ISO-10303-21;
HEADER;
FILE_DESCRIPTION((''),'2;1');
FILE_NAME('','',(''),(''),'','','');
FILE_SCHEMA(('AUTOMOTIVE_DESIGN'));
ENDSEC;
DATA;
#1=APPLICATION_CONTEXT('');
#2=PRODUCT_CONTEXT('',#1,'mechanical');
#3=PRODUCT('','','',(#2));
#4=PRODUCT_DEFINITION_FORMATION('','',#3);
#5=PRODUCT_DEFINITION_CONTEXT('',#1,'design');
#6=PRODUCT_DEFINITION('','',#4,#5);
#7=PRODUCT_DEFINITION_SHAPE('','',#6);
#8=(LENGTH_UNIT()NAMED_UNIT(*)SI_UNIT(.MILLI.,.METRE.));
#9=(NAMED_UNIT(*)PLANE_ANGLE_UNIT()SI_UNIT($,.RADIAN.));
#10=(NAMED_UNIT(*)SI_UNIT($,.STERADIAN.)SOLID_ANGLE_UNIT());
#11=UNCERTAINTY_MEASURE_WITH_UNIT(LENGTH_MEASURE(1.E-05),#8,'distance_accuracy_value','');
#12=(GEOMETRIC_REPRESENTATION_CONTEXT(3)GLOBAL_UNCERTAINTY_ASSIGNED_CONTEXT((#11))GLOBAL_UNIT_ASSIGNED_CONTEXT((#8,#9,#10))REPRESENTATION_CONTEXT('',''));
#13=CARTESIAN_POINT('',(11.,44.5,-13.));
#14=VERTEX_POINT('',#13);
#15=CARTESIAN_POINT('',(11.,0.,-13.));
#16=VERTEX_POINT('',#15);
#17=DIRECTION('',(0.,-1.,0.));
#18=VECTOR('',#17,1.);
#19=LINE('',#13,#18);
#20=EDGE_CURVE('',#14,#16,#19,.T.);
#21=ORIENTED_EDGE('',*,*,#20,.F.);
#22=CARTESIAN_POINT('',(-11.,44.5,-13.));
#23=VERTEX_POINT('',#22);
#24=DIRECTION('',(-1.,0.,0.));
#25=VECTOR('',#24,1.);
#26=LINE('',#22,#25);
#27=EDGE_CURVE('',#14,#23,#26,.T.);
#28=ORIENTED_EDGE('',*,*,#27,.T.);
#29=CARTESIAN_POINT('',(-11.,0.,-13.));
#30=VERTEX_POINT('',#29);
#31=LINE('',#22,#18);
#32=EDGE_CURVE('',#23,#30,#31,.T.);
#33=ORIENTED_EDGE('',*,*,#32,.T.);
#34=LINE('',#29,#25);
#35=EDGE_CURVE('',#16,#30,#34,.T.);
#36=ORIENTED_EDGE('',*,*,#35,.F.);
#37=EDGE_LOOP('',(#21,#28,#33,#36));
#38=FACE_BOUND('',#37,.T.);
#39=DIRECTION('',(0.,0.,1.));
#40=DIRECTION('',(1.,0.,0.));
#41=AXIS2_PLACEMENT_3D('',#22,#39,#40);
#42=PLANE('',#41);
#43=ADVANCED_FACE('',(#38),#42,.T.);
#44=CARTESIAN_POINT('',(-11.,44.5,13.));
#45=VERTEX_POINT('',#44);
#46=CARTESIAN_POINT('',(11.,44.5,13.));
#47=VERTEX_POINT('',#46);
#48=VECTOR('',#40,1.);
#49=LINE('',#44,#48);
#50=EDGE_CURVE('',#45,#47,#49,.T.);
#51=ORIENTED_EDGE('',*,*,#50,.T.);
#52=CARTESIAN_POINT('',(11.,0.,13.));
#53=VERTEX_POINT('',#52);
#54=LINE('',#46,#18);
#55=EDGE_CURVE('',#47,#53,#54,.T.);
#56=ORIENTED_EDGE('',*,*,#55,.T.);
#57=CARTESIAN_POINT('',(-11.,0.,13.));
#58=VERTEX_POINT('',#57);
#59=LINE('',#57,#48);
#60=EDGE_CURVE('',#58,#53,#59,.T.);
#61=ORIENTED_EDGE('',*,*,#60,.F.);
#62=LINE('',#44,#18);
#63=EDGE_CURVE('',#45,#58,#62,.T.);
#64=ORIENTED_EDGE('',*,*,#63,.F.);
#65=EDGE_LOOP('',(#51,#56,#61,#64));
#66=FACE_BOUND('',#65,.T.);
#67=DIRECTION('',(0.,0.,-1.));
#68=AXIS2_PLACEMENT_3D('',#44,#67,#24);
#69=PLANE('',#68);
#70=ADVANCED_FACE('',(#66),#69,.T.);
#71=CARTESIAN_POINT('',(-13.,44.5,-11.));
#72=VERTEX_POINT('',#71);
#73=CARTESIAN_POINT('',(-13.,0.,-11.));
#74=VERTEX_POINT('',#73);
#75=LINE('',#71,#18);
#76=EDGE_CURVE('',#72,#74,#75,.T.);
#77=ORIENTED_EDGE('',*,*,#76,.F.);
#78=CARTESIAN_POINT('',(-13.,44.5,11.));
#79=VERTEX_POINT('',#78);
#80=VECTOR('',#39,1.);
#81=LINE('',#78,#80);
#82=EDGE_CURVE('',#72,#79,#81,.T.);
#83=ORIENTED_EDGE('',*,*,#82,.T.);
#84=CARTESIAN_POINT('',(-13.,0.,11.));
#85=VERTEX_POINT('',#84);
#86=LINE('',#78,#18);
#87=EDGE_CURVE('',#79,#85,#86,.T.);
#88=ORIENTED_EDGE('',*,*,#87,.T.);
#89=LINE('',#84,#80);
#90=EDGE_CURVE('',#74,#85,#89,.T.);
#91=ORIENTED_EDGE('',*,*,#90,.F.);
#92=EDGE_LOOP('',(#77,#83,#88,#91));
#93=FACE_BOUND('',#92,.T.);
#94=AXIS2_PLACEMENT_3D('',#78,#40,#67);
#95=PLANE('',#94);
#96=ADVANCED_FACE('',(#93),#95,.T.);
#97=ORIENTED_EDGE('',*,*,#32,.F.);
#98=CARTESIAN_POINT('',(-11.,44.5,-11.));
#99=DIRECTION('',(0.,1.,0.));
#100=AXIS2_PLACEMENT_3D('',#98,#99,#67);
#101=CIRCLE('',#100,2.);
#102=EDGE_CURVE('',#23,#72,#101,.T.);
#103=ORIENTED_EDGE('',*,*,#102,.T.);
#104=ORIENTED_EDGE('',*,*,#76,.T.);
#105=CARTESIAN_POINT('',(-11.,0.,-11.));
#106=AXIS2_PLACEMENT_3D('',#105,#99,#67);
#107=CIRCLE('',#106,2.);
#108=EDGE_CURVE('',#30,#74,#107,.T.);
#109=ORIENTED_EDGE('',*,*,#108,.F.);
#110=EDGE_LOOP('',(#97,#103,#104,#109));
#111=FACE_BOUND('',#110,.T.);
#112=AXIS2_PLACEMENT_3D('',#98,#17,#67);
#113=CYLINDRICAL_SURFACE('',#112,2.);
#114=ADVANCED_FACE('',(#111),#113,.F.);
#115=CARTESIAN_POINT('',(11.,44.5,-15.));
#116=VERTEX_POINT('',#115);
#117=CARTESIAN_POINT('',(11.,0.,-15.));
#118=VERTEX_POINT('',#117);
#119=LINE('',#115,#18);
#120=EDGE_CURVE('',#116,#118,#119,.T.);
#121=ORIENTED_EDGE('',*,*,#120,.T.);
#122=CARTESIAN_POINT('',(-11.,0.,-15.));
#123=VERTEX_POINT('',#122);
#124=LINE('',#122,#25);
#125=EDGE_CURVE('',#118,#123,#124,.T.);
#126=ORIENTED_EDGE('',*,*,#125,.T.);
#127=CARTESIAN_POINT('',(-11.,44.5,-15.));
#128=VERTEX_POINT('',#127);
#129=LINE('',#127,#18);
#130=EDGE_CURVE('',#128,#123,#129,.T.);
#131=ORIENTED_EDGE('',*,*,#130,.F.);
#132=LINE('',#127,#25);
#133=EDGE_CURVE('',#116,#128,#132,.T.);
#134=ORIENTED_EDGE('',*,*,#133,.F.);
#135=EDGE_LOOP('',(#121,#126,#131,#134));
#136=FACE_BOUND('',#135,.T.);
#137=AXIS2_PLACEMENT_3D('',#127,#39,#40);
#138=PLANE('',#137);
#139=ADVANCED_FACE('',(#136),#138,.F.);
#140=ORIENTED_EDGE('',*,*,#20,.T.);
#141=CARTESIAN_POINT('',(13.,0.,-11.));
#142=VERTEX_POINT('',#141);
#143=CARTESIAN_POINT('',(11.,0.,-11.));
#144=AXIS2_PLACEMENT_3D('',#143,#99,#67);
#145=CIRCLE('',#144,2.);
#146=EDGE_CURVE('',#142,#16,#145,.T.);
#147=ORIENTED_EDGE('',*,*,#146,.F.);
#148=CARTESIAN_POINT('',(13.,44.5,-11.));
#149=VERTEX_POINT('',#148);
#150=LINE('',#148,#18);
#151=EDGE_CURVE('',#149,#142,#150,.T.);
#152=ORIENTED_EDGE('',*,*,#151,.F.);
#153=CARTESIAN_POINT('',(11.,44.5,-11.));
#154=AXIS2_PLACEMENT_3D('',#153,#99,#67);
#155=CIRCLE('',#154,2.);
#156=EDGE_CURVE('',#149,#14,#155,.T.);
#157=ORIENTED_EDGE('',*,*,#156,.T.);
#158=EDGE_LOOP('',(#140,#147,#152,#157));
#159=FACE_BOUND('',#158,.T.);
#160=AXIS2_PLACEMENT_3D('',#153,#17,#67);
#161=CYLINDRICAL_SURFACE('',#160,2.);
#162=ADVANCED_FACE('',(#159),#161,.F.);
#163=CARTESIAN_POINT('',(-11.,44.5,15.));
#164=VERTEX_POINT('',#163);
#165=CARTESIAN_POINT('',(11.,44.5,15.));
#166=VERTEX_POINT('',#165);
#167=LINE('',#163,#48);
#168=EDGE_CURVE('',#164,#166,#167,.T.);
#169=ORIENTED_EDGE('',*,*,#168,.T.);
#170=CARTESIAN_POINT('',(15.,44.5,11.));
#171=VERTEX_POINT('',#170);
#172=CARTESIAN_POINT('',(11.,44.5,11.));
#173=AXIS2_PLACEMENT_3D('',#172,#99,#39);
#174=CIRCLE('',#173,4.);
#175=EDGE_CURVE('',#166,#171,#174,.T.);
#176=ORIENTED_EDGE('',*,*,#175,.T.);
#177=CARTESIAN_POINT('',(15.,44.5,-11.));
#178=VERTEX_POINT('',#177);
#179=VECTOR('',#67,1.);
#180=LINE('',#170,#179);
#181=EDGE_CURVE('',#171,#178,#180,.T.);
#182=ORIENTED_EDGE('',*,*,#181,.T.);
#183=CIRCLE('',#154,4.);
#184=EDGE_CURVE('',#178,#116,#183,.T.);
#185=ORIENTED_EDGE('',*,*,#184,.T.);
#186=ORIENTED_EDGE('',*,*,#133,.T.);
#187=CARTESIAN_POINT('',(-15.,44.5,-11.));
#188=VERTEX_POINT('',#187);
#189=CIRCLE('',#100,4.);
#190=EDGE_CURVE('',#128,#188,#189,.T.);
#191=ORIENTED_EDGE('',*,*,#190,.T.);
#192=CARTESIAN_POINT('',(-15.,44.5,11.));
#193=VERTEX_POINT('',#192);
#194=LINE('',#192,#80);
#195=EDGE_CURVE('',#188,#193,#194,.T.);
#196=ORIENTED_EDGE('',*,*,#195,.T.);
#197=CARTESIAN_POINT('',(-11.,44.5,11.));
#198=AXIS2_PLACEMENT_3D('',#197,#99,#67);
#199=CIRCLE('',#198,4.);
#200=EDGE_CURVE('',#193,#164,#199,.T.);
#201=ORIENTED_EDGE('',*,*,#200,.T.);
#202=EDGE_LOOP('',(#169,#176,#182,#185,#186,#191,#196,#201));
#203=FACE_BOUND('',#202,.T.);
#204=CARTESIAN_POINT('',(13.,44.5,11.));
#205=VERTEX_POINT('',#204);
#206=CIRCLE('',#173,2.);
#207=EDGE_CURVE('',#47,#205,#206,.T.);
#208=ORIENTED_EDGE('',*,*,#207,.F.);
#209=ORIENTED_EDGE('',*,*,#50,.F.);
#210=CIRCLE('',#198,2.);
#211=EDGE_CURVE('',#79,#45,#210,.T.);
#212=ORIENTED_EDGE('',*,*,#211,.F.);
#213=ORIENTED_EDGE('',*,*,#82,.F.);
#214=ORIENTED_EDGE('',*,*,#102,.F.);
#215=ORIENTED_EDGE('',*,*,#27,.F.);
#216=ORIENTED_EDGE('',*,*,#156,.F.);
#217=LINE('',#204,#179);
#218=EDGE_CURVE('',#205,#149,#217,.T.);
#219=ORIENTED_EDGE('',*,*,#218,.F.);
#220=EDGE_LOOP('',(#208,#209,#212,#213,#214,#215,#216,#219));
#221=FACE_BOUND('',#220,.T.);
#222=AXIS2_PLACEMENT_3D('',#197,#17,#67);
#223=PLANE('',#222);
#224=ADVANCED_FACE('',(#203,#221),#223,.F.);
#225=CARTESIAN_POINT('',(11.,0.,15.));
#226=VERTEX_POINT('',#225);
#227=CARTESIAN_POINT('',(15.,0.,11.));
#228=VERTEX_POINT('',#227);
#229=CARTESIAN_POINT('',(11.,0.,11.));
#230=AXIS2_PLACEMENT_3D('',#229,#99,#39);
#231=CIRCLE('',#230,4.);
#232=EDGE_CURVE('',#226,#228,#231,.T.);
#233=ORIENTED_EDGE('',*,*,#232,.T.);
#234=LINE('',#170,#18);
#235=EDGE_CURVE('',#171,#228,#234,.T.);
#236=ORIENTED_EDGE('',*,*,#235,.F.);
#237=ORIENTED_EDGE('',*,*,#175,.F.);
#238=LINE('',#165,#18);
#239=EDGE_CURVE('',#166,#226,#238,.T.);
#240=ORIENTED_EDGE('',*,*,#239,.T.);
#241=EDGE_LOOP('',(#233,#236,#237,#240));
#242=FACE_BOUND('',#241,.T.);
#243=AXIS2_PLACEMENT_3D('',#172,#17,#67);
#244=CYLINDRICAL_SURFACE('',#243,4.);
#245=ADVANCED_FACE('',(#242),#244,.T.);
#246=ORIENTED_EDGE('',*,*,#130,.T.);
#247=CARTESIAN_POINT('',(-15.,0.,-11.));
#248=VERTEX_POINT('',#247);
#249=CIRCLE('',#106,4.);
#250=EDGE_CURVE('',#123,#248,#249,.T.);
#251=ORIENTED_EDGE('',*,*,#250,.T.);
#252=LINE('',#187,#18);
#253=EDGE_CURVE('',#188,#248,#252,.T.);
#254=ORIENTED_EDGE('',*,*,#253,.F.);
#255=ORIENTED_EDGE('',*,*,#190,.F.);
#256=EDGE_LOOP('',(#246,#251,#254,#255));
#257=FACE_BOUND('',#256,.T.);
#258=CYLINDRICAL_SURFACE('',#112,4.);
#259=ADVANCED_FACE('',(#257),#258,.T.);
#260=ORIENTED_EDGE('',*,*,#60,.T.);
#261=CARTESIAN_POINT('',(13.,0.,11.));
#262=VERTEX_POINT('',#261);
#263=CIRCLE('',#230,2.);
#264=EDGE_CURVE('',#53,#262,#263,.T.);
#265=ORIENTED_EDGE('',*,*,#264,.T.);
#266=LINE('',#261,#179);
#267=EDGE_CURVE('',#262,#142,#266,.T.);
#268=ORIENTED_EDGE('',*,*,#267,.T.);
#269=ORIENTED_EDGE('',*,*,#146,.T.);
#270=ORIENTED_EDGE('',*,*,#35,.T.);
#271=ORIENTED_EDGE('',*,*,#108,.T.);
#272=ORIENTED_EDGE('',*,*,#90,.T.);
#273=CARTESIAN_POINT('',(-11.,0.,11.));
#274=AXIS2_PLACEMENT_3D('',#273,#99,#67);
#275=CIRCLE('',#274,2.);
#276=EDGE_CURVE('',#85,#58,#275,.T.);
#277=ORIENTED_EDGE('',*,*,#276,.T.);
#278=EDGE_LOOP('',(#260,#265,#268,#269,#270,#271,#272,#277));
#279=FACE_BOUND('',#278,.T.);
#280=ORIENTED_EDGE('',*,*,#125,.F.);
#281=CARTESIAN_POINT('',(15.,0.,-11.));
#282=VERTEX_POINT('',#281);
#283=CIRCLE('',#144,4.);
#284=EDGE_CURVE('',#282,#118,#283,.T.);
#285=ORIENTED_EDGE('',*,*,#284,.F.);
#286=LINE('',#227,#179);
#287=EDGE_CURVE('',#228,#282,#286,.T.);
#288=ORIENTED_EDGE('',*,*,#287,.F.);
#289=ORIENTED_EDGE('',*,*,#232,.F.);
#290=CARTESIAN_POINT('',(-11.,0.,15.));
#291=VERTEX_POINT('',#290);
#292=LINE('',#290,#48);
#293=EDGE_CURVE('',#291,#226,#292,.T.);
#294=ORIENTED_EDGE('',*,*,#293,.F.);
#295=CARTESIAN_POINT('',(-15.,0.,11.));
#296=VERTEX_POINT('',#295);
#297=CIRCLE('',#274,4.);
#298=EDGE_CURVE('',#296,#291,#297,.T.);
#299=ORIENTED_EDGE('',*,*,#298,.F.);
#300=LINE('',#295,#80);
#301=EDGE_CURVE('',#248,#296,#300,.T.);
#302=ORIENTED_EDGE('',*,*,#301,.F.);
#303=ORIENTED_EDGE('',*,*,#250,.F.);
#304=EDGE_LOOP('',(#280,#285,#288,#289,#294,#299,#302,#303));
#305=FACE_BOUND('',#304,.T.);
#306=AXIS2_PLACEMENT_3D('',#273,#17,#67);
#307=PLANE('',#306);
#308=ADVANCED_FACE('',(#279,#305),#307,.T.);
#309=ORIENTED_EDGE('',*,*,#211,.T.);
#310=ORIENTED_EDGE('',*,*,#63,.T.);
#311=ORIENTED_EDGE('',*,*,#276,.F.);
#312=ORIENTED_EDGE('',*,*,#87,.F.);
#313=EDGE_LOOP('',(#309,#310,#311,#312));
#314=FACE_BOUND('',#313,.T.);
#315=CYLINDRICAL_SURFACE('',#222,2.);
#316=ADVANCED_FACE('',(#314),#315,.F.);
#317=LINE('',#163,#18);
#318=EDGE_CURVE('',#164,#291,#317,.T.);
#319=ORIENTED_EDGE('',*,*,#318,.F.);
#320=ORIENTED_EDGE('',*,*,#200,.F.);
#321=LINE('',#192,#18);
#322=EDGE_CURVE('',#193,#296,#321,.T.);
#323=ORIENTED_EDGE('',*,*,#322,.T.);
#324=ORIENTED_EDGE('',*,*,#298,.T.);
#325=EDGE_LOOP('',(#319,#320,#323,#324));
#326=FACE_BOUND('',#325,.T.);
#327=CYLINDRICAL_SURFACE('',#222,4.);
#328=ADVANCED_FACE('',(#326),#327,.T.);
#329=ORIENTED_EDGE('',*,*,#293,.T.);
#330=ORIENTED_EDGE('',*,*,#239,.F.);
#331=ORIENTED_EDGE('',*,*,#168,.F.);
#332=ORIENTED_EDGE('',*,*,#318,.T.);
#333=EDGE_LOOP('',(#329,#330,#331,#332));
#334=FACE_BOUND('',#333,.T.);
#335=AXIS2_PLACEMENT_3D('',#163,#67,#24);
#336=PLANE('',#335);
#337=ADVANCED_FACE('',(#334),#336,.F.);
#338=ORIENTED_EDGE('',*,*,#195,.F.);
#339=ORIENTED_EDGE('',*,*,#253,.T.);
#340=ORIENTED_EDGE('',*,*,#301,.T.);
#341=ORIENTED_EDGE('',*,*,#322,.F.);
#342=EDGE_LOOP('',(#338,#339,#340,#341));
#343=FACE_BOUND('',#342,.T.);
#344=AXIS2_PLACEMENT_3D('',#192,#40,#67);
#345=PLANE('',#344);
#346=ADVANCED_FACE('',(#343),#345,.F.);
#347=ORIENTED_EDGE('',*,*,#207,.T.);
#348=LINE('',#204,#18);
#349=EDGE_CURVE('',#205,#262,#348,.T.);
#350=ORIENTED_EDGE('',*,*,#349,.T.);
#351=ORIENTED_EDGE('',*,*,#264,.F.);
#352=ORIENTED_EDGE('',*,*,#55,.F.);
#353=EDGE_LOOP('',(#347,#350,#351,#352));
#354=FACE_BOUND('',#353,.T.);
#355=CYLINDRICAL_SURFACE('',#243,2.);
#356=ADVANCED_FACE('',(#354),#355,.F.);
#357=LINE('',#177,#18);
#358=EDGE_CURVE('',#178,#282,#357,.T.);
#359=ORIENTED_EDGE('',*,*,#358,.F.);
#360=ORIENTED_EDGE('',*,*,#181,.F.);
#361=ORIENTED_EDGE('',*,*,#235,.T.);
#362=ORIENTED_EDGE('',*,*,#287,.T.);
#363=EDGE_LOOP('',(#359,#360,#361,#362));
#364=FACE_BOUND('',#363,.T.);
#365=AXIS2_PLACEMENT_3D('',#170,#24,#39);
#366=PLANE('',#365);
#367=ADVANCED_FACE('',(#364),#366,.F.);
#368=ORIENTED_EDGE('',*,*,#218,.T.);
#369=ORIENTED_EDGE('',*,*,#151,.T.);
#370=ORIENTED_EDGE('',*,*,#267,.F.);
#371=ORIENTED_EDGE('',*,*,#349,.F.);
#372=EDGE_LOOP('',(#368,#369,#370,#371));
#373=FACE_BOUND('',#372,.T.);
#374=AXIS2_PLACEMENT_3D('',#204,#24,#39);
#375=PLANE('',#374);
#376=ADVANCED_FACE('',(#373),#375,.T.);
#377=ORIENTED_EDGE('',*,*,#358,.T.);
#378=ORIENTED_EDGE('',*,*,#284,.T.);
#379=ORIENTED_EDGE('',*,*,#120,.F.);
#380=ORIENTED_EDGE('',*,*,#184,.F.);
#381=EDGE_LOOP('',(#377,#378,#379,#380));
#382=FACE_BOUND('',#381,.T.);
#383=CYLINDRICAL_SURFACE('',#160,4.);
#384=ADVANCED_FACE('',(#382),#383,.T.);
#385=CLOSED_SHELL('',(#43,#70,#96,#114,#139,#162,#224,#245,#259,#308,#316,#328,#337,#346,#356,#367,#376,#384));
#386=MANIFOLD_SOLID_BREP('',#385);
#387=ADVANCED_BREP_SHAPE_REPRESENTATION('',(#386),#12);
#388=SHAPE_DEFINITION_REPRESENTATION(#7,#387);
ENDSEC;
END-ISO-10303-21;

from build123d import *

# Parameters (mm, degrees)
EXTRUDE_1_DEPTH = 44.5


with BuildPart() as part:
    # 草图1 → 凸台-拉伸1 (new body)
    with BuildSketch(Plane(origin=(0, 0, 0), x_dir=(1, 0, 0), z_dir=(0, 1, 0))):
        with BuildLine():
            Line((-11, -15), (11, -15))
            ThreePointArc((11, -15), (13.828427125, -13.828427125), (15, -11))
            Line((15, -11), (15, 11))
            ThreePointArc((15, 11), (13.828427125, 13.828427125), (11, 15))
            Line((11, 15), (-11, 15))
            ThreePointArc((-11, 15), (-13.828427125, 13.828427125), (-15, 11))
            Line((-15, 11), (-15, -11))
            ThreePointArc((-15, -11), (-13.828427125, -13.828427125), (-11, -15))
        make_face()
        with BuildLine():
            Line((-11, -13), (11, -13))
            ThreePointArc((11, -13), (12.414213562, -12.414213562), (13, -11))
            Line((13, -11), (13, 11))
            ThreePointArc((13, 11), (12.414213562, 12.414213562), (11, 13))
            Line((11, 13), (-11, 13))
            ThreePointArc((-11, 13), (-12.414213562, 12.414213562), (-13, 11))
            Line((-13, 11), (-13, -11))
            ThreePointArc((-13, -11), (-12.414213562, -12.414213562), (-11, -13))
        make_face(mode=Mode.SUBTRACT)
    extrude(amount=EXTRUDE_1_DEPTH)


solid = part.part
